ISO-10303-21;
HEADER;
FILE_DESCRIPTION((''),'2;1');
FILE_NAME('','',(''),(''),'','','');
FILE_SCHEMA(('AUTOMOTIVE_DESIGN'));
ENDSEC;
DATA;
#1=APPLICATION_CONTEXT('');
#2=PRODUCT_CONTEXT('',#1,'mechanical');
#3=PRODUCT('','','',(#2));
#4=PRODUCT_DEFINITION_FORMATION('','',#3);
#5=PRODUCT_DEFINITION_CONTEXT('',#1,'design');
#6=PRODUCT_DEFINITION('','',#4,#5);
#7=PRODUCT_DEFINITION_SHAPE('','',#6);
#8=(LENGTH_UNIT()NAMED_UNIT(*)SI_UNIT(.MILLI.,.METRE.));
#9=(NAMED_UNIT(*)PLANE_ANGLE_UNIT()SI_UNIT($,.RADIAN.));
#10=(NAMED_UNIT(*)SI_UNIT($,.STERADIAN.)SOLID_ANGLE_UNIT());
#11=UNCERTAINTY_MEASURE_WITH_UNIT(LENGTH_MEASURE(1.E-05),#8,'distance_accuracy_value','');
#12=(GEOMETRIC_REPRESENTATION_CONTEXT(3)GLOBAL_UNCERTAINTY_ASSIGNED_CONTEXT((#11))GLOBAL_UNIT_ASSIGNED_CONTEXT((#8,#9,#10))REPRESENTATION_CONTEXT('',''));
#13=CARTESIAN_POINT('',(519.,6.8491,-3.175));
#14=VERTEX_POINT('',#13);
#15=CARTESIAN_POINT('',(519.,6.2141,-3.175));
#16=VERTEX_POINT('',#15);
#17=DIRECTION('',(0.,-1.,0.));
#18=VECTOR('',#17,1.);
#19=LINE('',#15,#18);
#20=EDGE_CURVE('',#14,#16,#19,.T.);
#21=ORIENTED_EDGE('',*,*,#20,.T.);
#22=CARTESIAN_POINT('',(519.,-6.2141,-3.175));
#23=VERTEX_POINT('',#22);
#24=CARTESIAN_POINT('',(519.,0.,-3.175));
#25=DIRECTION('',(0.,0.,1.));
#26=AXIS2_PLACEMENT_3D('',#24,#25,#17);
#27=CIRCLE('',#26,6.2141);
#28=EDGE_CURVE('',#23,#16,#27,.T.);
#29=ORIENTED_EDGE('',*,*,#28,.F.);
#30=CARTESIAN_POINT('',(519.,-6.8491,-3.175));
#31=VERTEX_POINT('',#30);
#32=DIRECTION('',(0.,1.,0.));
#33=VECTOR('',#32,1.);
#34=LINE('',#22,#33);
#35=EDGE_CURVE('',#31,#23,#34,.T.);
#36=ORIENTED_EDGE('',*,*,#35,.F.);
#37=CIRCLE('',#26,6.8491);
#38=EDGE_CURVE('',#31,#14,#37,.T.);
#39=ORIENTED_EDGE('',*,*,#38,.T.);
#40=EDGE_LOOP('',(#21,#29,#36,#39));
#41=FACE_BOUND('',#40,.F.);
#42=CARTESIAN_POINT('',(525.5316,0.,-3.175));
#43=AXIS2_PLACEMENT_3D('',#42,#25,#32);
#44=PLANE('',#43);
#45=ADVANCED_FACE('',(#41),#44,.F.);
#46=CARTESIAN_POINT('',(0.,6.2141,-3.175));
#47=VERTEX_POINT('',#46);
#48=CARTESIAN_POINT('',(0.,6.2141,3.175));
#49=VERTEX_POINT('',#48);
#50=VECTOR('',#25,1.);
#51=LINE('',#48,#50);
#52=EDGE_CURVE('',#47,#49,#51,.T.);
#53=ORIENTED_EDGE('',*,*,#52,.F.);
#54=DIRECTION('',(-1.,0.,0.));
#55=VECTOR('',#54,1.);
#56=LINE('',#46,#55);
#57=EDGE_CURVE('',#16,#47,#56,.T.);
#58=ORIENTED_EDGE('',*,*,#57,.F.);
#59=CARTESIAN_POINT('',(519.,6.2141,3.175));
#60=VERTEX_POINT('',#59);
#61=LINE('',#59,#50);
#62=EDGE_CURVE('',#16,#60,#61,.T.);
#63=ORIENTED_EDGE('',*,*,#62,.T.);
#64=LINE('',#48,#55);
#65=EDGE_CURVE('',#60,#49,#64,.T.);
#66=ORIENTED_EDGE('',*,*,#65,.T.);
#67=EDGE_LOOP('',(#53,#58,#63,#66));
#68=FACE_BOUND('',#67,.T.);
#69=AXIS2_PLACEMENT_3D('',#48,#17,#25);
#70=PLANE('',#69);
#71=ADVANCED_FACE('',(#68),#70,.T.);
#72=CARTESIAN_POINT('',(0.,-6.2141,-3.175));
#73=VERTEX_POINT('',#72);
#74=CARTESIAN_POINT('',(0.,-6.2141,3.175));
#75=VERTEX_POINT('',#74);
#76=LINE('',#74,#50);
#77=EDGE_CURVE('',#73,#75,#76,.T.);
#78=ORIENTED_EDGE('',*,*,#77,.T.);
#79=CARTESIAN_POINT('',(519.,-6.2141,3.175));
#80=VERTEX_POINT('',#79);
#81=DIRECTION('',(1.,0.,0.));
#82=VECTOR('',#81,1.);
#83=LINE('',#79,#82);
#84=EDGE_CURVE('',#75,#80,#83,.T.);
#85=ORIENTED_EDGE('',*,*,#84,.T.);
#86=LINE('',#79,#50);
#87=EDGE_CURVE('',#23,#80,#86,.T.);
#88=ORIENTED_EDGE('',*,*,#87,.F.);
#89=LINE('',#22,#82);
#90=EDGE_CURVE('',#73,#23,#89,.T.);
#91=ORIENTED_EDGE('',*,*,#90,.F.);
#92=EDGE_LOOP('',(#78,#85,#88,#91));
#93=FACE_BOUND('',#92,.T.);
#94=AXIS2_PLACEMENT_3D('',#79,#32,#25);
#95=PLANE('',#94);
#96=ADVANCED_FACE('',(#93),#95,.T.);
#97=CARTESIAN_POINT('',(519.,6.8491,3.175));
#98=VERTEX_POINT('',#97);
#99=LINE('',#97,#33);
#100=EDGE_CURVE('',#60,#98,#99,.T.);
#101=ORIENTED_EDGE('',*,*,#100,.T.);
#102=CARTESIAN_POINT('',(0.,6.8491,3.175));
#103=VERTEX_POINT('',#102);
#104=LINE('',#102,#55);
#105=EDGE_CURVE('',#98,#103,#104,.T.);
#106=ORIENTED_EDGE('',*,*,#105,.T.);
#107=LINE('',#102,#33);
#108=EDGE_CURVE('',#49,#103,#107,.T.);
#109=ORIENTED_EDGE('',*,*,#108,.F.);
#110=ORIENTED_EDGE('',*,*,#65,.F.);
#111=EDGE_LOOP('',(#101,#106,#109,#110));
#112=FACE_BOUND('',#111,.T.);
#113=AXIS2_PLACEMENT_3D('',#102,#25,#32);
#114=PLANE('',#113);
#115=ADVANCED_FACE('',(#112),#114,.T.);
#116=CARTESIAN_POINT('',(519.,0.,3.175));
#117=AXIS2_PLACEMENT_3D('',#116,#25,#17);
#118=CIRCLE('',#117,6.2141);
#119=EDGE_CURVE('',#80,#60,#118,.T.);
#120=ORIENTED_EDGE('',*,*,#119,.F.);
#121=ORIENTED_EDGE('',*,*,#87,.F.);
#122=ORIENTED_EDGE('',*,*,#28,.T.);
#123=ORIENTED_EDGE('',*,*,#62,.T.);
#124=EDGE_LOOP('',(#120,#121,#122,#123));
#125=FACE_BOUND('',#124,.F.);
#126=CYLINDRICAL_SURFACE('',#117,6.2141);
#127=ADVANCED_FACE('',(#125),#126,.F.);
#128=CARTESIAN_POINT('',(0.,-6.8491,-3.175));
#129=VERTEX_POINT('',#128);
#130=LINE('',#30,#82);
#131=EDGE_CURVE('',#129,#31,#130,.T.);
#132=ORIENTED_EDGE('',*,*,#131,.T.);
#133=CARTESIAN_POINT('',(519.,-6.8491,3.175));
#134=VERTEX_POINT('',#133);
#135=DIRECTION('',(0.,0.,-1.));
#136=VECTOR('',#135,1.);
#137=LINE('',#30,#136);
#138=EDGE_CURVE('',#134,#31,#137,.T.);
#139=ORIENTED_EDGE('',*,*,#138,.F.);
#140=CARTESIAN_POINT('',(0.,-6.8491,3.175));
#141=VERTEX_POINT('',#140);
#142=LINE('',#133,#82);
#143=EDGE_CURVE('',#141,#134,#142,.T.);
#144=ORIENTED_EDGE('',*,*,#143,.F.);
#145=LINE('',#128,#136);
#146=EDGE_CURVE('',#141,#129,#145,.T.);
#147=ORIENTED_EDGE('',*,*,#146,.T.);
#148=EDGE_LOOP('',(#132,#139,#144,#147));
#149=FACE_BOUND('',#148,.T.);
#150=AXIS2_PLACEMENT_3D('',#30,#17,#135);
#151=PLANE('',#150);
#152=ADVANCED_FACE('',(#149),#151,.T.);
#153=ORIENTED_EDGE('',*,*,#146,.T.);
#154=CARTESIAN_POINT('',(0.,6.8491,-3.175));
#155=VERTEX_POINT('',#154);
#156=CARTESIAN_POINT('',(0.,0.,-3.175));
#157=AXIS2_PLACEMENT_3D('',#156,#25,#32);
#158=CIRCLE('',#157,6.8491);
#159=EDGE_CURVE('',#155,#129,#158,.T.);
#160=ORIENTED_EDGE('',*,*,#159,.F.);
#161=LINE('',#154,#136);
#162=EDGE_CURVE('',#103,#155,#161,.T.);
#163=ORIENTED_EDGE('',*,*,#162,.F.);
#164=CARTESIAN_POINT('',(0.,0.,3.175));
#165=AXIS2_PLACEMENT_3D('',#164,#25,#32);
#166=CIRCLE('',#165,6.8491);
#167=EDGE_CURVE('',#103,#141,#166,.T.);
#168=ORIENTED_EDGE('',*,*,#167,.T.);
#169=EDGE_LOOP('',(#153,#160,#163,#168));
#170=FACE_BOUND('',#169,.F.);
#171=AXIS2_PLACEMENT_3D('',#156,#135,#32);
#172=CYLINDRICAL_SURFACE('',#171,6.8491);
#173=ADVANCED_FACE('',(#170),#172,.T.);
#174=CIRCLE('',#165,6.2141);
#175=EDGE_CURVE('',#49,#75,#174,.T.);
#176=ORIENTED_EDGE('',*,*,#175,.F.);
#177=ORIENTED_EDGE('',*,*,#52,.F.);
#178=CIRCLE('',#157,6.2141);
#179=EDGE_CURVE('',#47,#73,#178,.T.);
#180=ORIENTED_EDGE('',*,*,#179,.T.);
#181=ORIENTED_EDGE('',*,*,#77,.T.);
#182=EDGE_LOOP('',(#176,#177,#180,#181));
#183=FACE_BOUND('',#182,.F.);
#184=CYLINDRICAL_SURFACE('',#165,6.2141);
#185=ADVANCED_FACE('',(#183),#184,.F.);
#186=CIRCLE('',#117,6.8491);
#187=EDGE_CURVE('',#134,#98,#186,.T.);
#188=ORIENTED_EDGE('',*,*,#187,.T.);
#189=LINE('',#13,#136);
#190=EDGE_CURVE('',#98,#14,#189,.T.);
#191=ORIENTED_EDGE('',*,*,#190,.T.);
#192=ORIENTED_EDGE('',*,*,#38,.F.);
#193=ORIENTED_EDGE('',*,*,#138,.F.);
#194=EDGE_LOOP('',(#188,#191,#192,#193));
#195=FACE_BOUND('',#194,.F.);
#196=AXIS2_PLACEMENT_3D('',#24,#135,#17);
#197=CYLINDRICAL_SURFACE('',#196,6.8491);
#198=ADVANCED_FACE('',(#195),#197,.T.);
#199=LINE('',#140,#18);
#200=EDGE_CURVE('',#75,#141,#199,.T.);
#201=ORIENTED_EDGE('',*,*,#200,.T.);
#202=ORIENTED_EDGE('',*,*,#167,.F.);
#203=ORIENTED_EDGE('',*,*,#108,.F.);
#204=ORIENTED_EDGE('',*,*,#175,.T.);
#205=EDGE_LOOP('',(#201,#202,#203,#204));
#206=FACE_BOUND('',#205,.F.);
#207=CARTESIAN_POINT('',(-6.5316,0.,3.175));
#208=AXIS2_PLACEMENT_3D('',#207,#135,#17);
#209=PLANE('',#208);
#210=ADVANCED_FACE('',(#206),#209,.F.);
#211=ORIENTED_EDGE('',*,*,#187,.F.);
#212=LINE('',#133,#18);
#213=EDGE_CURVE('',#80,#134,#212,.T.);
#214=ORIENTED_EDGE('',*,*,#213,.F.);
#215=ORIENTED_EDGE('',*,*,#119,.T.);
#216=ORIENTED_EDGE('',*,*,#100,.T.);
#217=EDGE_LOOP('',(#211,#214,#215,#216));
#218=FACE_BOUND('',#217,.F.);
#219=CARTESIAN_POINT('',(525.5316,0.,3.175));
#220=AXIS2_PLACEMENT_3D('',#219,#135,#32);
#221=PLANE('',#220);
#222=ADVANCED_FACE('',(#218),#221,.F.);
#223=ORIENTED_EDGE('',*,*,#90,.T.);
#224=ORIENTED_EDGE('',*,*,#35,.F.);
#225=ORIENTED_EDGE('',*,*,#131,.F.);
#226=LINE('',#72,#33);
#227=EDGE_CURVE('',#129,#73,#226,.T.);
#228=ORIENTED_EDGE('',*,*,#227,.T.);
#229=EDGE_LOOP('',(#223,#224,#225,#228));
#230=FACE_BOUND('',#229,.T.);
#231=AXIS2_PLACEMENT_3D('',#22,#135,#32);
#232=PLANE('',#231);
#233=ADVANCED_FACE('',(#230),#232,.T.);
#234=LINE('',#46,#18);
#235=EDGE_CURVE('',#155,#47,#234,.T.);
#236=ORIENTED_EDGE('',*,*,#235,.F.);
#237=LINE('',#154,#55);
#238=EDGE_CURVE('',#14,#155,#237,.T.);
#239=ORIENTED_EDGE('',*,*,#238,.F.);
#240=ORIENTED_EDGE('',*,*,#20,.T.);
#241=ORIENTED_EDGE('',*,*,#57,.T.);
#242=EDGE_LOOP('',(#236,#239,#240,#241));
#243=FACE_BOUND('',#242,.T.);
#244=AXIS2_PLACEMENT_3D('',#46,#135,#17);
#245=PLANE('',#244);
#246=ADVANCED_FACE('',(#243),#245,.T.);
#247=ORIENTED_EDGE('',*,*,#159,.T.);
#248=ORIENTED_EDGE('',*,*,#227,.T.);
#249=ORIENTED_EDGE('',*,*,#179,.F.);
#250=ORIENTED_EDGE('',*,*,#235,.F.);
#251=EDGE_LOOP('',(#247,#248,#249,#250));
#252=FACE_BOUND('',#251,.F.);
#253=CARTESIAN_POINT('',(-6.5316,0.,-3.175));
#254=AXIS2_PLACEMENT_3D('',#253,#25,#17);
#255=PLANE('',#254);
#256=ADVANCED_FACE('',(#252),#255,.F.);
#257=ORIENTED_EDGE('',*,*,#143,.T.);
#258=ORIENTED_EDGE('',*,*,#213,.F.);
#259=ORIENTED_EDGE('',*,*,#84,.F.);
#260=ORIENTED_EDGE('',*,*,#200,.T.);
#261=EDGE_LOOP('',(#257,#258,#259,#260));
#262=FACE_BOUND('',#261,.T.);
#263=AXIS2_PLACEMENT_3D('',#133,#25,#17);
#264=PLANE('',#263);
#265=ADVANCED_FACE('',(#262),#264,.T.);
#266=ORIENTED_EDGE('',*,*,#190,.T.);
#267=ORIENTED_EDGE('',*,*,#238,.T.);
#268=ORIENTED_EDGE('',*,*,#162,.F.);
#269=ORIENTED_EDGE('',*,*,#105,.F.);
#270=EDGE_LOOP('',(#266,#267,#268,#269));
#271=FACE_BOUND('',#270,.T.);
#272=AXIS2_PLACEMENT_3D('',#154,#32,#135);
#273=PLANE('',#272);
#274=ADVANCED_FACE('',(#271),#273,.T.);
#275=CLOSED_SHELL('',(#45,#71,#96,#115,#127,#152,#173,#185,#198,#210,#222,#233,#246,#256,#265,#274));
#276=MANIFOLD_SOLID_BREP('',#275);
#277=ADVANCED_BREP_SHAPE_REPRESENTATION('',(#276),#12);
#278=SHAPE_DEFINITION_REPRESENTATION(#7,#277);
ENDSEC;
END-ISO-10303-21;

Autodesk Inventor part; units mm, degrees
sketch "Sketch Path" plane through (0, 0, 0) normal (0, 0, 1) x (1, 0, 0)
  arc A0 (0, 6.4681) -> (0, -6.4681) centre (0, 0) ccw
  arc A1 (519, -6.4681) -> (519, 6.4681) centre (519, 0) ccw
  line L0 (519, -6.4681) -> (0, -6.4681)
  line L1 (0, 6.4681) -> (519, 6.4681)
ref_plane "Cross Section Plane" through (0, -6.4681, 0) normal (1, 0, 0) x (0, 0, 1)
ref_plane "Work Plane2" through (0, 0, 0) normal (-1, 0, 0) x (0, 0, 1)
ref_plane "Work Plane3" through (519, 0, 0) normal (-0.9831, 0.1832, 0) x (0, 0, 1)
sketch "Cross Section" plane through (0, -6.4681, 0) normal (1, 0, 0) x (0, 0, 1)
  line L0 (-3.175, 0.381) -> (3.175, 0.381)
  line L1 (3.175, 0.381) -> (3.175, -0.254)
  line L2 (3.175, -0.254) -> (-3.175, -0.254)
  line L3 (-3.175, -0.254) -> (-3.175, 0.381)
  line L4 (-3.175, 0) -> (3.175, 0) construction
  point P0 (0, 0)
  point P1 (0, 0)
  dimension "d0" = 6.35
  dimension "d4" = 0.254
  dimension "d5" = 0.381
sweep "Belt" add profiles "Cross Section" path "Sketch Path"
equation "\"d0\" = da_B"
equation "\"d4\" = da_a"
equation "\"d5\" = da_a2"
equation "\"da_B\" = 6.35"
equation "\"da_pb\" = 2.032"
equation "\"da_L\" = 1078.64"
equation "\"da_a\" = 0.254"
equation "\"da_S\" = 1.143"
equation "\"da_Beta\" = 20deg"
equation "\"da_Ht\" = 0.508"
equation "\"da_H\" = 1.143"
equation "\"da_a2\" = 0.381"
properties part number "Synchronous Belt" material "Rubber"
